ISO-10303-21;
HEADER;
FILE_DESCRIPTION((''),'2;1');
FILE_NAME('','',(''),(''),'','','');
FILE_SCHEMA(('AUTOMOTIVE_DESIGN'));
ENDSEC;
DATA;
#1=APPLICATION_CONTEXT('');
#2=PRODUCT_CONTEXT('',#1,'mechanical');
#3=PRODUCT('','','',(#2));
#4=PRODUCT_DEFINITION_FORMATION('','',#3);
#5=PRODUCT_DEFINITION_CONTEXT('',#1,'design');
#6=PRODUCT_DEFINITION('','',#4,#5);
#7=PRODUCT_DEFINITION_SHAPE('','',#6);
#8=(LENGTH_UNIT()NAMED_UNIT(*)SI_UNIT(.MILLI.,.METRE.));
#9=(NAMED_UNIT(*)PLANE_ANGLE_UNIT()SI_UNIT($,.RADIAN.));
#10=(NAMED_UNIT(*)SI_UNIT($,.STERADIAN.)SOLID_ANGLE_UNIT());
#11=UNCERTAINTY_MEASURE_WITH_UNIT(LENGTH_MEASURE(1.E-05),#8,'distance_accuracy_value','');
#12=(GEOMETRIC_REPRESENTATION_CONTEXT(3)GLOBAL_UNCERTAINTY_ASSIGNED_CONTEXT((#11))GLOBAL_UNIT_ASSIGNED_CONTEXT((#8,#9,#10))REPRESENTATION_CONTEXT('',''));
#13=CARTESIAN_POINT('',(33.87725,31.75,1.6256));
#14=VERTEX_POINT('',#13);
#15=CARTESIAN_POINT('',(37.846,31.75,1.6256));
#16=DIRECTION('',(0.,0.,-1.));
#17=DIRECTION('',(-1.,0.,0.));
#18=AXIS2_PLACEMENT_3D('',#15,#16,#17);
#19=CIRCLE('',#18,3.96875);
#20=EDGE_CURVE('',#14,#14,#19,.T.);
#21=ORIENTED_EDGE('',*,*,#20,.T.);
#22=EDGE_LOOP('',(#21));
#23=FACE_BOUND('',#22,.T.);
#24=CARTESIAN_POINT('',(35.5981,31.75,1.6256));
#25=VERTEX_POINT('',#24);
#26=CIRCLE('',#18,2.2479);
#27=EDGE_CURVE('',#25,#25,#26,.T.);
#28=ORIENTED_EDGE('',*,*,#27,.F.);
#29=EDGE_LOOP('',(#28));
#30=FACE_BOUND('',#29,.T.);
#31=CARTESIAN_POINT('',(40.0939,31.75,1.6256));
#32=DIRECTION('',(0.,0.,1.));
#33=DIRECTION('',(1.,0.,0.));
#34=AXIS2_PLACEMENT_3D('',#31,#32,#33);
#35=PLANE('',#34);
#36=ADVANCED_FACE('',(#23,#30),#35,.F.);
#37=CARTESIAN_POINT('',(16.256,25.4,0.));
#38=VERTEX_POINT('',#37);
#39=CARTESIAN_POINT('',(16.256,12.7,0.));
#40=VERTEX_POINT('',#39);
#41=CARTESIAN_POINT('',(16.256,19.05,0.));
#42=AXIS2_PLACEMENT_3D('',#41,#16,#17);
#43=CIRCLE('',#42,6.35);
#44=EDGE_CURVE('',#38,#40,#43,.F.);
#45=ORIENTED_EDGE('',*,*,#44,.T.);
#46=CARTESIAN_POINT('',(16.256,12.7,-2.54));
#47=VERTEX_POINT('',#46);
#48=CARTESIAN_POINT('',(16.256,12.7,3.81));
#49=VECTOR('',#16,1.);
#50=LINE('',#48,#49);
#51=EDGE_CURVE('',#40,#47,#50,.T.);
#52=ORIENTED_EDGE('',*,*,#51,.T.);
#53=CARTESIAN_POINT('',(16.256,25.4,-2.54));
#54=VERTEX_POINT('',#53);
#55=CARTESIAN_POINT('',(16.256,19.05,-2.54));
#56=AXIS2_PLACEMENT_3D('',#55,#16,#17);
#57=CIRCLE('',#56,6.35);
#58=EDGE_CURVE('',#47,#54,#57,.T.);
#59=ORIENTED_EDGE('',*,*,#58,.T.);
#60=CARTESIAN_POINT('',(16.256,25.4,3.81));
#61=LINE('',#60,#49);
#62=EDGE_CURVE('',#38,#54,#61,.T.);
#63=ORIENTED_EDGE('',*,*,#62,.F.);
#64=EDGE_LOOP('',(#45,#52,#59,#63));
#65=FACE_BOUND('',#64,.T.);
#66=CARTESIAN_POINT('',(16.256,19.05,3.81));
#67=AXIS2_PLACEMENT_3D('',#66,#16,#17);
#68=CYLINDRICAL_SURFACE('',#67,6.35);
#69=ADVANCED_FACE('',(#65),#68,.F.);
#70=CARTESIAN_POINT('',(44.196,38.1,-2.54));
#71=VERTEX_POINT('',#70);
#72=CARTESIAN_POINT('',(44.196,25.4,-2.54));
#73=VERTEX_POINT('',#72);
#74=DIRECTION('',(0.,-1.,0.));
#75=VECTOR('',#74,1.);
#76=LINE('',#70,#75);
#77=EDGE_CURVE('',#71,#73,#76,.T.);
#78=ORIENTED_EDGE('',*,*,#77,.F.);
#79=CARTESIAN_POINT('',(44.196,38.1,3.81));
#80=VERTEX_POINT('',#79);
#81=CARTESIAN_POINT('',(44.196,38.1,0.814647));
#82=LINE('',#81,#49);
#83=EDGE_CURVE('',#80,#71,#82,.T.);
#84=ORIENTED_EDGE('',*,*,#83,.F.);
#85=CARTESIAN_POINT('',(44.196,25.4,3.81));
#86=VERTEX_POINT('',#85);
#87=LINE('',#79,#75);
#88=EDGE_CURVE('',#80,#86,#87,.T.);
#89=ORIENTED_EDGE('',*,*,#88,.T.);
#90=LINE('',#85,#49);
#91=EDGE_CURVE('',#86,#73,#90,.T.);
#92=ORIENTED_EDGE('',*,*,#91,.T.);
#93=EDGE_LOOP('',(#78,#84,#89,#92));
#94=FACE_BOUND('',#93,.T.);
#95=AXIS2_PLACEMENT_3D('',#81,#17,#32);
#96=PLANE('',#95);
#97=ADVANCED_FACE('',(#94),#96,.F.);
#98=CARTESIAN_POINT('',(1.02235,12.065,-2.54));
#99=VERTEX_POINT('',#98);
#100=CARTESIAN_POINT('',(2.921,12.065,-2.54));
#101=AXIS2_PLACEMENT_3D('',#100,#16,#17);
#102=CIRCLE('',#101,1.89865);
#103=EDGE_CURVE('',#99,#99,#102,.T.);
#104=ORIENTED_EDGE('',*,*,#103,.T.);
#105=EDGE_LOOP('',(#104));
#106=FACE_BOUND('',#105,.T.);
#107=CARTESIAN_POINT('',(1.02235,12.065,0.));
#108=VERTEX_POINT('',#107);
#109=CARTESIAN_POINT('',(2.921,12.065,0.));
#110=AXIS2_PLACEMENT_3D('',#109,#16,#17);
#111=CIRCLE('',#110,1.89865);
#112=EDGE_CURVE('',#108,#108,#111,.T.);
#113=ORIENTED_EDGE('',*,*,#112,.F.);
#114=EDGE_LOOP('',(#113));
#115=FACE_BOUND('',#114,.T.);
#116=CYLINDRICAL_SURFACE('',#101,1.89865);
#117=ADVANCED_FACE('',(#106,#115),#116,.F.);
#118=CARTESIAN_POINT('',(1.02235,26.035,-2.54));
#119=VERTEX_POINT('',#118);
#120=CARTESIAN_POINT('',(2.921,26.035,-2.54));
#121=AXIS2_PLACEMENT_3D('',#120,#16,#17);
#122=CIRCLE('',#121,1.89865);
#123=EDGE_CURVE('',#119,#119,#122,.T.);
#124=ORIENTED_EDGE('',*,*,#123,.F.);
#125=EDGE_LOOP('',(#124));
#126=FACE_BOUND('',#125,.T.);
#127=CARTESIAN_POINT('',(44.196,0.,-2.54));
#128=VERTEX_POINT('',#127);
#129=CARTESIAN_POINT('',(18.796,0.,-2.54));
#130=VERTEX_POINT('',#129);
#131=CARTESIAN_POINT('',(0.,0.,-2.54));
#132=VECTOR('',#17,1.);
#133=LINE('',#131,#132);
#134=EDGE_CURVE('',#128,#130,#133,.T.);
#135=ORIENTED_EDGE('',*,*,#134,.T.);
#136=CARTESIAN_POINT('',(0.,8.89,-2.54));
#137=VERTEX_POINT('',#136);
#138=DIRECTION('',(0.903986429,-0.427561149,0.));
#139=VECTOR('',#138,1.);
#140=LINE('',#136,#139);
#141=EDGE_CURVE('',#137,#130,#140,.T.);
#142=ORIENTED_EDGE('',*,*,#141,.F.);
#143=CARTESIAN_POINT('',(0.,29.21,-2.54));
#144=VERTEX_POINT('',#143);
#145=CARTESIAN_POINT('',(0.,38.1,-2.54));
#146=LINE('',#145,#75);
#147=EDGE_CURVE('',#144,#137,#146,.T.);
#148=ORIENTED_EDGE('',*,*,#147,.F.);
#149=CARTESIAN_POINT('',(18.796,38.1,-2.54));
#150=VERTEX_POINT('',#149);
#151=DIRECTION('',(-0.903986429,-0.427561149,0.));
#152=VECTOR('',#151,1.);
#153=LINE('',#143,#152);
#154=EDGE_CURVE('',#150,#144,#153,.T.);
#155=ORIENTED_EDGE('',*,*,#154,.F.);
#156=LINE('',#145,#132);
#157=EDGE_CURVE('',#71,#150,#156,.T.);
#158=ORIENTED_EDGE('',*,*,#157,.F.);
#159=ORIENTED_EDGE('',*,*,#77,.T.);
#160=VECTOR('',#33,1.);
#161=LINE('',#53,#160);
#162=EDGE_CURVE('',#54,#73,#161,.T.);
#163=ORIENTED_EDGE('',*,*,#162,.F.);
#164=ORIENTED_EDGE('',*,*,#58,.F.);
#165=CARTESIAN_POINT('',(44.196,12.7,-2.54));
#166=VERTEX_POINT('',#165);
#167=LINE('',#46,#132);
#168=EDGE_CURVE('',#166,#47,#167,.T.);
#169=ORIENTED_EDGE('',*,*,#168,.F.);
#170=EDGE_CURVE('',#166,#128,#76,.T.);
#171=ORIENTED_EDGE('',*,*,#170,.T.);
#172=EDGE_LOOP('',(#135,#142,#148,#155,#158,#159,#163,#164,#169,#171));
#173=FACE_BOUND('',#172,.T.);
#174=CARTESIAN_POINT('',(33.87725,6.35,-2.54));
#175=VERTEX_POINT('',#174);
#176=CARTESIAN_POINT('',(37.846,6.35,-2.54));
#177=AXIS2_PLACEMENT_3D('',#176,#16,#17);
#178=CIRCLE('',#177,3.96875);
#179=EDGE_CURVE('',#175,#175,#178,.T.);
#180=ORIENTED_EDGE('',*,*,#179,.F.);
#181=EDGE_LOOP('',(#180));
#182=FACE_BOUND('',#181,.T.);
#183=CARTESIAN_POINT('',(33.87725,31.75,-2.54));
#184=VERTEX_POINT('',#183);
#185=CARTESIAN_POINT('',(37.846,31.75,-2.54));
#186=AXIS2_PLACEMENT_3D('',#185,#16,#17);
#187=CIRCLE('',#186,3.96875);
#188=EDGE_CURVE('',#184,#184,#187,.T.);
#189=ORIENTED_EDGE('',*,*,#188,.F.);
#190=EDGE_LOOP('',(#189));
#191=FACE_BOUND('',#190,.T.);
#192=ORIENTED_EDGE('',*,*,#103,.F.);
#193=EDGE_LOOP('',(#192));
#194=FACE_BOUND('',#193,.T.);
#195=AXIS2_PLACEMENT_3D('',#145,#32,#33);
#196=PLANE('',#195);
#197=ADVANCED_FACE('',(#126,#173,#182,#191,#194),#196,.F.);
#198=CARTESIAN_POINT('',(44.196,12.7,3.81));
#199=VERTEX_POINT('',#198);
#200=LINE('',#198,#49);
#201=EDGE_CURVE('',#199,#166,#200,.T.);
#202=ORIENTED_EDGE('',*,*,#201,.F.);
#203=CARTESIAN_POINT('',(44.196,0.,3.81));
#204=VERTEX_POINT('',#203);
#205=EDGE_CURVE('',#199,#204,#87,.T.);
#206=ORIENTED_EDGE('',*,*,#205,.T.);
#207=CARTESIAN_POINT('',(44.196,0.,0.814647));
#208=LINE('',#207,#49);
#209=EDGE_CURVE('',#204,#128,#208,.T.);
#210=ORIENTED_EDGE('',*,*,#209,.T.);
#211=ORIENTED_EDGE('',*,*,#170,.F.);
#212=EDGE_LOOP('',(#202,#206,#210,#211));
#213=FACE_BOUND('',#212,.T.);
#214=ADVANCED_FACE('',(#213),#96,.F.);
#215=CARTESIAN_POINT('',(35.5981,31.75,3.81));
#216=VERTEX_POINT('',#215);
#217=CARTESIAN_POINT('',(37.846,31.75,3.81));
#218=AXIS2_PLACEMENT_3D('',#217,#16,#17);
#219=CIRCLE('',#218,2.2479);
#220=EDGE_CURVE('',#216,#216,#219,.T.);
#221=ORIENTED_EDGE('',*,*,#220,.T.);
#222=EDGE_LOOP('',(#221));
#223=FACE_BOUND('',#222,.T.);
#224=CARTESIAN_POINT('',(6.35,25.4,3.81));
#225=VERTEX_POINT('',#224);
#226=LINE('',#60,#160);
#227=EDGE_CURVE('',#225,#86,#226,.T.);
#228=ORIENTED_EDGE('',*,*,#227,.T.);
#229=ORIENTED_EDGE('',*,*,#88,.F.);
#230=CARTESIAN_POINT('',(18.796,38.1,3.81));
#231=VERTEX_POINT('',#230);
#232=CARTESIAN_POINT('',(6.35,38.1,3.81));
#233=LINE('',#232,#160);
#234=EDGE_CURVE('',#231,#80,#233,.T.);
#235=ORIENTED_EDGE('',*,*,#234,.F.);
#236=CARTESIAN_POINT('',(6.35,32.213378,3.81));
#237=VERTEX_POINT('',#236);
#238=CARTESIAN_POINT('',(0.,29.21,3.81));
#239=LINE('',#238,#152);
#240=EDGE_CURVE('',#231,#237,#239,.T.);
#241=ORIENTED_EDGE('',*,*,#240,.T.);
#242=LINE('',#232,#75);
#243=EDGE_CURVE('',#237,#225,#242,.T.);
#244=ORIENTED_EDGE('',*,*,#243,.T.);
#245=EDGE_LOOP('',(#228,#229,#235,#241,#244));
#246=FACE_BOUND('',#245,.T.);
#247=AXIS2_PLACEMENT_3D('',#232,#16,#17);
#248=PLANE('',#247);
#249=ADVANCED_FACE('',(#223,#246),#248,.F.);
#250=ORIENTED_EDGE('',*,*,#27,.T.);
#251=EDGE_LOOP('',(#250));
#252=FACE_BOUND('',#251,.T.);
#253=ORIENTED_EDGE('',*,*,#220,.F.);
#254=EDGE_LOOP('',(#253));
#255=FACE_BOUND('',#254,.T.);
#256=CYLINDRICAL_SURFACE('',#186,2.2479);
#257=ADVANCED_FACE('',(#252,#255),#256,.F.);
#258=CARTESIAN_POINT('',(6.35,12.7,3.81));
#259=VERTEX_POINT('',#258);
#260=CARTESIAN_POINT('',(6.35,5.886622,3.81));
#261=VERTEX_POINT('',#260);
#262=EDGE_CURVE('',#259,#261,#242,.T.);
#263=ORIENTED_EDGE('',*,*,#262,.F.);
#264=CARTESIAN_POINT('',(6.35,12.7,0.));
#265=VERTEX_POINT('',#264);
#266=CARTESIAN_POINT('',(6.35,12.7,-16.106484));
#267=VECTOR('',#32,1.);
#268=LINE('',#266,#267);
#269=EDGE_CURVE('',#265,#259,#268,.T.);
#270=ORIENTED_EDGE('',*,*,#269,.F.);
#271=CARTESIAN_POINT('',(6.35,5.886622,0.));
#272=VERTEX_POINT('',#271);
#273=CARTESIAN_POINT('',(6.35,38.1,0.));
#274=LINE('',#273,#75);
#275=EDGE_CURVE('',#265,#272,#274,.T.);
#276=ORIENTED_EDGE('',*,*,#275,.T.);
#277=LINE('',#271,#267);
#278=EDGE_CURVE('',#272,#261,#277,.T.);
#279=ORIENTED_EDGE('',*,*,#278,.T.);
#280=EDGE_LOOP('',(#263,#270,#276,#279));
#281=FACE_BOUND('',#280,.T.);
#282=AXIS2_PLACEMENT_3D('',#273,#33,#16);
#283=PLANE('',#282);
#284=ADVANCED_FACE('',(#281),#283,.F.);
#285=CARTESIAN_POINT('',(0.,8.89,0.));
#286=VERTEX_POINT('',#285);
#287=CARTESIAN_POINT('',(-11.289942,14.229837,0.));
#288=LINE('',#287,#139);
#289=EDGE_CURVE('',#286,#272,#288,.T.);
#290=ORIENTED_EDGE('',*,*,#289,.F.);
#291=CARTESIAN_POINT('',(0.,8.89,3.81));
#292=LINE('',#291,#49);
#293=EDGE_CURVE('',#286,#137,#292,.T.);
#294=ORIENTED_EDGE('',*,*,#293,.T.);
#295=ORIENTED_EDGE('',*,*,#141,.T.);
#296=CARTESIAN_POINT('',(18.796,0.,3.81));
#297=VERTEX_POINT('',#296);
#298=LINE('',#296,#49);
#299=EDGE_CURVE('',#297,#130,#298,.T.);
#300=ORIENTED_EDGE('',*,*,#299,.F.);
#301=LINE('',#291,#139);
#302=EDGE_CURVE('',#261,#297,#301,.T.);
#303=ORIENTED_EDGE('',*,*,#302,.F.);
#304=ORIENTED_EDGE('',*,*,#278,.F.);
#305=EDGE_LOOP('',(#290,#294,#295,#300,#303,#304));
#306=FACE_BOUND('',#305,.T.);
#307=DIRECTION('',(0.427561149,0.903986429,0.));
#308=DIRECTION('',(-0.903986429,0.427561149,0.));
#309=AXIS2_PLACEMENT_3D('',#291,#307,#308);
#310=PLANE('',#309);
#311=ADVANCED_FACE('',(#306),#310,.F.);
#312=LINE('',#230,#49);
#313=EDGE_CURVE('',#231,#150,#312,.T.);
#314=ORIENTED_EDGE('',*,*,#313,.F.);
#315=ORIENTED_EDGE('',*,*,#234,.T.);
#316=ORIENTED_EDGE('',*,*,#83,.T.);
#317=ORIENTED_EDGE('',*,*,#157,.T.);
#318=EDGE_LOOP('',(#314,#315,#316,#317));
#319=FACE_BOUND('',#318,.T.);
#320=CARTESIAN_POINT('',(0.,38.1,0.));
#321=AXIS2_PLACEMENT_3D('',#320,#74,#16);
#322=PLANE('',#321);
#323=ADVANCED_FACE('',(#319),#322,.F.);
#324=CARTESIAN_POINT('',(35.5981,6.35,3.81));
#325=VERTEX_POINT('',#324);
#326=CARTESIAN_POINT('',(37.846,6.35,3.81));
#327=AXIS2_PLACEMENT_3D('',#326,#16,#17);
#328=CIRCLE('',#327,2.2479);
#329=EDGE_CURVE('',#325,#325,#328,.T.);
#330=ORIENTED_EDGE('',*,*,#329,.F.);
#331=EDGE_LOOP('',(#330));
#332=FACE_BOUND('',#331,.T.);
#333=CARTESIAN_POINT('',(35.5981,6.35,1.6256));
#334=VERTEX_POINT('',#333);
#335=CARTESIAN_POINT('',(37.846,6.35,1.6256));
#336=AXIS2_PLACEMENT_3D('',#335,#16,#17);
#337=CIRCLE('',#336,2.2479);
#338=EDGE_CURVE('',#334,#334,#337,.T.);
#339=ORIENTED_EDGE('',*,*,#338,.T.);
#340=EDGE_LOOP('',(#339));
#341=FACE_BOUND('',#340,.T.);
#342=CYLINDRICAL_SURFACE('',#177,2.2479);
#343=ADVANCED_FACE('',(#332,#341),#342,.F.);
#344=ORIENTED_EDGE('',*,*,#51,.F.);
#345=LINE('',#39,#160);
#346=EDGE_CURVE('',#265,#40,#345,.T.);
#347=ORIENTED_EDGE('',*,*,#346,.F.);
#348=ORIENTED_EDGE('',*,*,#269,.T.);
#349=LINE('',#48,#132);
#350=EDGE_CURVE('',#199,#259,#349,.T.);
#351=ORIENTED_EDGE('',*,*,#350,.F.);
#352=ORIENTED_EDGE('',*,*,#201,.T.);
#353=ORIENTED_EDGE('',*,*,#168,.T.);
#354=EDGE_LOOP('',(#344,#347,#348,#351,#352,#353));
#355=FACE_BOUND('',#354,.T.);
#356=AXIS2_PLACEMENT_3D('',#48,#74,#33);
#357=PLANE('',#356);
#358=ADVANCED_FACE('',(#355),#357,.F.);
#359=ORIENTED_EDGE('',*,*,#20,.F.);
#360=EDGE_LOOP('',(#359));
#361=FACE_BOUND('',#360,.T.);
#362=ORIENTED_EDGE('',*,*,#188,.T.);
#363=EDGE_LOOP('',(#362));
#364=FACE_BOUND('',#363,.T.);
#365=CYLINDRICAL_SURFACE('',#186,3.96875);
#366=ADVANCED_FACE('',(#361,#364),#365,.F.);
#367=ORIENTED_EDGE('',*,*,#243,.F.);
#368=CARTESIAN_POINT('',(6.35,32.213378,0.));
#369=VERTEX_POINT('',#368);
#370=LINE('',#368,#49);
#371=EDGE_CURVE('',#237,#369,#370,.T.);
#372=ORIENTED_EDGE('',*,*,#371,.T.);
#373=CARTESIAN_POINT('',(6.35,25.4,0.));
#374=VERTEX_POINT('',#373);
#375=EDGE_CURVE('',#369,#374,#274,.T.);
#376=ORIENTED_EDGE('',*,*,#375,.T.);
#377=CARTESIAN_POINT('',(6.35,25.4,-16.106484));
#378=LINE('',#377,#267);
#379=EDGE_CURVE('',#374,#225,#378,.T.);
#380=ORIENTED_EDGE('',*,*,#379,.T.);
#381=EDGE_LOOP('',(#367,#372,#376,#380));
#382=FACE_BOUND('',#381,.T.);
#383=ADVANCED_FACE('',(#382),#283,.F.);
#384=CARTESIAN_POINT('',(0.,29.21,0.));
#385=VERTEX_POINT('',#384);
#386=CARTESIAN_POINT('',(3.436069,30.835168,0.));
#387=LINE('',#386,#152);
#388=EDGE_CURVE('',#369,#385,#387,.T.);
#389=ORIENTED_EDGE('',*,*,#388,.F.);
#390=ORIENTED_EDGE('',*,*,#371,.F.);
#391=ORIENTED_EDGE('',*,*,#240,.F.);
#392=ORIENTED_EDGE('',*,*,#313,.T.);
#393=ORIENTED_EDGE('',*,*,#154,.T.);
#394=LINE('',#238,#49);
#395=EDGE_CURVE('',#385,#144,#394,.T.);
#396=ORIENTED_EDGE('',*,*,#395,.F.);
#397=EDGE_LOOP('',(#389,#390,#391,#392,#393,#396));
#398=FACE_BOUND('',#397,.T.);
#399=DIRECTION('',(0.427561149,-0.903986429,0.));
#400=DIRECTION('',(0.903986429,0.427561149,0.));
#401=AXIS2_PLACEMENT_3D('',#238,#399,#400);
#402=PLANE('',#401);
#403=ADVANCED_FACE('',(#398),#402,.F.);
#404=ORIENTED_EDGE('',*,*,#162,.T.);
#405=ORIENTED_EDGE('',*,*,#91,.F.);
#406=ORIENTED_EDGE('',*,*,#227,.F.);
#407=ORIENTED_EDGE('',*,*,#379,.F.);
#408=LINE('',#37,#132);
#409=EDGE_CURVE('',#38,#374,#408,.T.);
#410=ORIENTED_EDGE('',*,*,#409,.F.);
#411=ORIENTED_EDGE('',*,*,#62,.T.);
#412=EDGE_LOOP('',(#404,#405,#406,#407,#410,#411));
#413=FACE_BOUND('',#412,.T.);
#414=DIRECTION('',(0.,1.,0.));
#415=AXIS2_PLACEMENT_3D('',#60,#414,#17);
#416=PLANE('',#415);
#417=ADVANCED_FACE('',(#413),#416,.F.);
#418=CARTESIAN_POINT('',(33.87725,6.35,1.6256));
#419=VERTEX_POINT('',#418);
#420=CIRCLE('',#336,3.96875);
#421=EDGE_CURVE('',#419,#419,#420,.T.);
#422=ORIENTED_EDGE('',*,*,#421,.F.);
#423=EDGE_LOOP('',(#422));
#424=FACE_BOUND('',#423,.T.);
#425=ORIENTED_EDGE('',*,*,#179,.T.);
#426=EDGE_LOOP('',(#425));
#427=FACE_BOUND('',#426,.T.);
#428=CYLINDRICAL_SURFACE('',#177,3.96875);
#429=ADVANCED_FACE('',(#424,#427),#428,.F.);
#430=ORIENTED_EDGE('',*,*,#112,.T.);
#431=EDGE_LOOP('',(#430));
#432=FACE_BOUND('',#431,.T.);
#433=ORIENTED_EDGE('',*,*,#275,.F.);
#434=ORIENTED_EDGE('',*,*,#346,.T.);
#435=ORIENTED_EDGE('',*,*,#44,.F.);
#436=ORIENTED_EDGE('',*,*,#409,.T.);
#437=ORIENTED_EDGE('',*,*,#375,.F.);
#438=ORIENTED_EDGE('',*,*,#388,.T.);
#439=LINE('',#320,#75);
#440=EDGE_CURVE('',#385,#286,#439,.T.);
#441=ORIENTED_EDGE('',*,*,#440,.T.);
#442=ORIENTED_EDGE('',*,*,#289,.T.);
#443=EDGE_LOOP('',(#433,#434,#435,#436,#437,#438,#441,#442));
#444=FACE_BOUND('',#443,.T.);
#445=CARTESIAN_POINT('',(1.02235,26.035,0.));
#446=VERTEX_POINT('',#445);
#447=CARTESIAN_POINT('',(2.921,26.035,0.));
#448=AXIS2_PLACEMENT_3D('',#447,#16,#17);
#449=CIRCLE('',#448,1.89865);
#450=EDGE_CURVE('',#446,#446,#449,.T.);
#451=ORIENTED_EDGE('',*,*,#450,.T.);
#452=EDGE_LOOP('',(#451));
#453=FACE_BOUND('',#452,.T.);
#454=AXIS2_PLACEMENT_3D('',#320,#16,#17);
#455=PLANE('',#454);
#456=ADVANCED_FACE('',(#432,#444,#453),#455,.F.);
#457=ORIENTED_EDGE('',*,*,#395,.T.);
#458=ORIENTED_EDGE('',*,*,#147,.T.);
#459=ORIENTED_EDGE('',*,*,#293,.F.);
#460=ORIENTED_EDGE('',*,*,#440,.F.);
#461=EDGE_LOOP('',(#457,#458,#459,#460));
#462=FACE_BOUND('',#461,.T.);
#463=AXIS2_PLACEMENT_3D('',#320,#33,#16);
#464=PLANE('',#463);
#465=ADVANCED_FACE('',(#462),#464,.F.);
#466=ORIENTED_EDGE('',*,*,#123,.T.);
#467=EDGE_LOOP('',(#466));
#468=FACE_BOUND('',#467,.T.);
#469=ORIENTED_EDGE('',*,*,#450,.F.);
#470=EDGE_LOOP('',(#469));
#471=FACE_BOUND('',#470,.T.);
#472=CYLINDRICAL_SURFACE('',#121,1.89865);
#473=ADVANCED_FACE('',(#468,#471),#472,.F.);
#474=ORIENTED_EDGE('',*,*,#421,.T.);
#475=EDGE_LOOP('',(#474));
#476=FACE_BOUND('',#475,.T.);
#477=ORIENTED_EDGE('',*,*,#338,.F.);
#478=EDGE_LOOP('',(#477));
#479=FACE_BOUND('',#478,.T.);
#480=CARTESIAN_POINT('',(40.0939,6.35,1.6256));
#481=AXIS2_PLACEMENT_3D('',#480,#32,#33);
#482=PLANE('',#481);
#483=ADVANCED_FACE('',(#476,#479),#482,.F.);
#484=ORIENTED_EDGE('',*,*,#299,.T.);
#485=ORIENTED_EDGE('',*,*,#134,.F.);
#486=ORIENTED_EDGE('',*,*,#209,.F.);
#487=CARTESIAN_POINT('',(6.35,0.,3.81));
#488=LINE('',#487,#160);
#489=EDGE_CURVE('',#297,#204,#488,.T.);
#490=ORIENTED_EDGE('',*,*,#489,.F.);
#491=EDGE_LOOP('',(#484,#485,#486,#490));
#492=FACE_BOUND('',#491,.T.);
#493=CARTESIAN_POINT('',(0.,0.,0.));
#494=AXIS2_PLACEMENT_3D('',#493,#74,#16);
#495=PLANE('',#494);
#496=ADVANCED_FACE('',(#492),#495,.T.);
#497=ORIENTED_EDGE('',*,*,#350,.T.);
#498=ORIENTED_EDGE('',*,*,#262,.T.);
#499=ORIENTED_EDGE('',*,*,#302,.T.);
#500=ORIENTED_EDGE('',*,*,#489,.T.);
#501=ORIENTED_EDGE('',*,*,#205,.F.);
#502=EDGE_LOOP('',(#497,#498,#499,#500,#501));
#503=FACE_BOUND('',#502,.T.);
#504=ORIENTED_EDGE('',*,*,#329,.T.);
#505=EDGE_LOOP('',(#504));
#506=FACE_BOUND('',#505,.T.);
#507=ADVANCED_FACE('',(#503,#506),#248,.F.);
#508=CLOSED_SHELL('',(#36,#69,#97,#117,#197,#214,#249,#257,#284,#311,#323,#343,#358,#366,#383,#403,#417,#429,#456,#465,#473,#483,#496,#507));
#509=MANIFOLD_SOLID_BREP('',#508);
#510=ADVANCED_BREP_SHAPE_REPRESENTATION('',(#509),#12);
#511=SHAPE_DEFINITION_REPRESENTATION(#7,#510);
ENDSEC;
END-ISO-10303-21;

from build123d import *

# Parameters (mm, degrees)
BOSS_EXTRUDE1_DEPTH                            = 38.1
CBORE_FOR_8_SOCKET_HEAD_CAP_SCREW1_D           = 4.4958
CBORE_FOR_8_SOCKET_HEAD_CAP_SCREW1_CBORE_D     = 7.9375
CBORE_FOR_8_SOCKET_HEAD_CAP_SCREW1_CBORE_DEPTH = 4.1656
CUT_EXTRUDE1_DEPTH                             = 59.695987222
F_6_CLEARANCE_HOLE1_D                          = 3.7973
CUT_EXTRUDE2_DEPTH                             = 59.695987222
SKETCH6_W                                      = 9.906
SKETCH6_H                                      = 12.7
CUT_EXTRUDE3_DEPTH                             = 3.81


with BuildPart() as part:
    # Sketch1 → Boss-Extrude1 (new body)
    with BuildSketch(Plane(origin=(0, 0, 0), x_dir=(1, 0, 0), z_dir=(0, 1, 0))):
        Polygon((0, 0), (6.35, 0), (6.35, -3.81), (44.196, -3.81), (44.196, -0.814646677), (44.196, 2.54), (0, 2.54), align=None)
    extrude(amount=BOSS_EXTRUDE1_DEPTH)

    # CBORE for #8 Socket Head Cap Screw1 (through all)
    with Locations(Plane(origin=(37.846, 31.75, -2.54), x_dir=(-1, 0, 0), z_dir=(0, 0, -1))):
        with Locations((0, 0), (0, -25.4)):
            CounterBoreHole(CBORE_FOR_8_SOCKET_HEAD_CAP_SCREW1_D / 2, CBORE_FOR_8_SOCKET_HEAD_CAP_SCREW1_CBORE_D / 2, CBORE_FOR_8_SOCKET_HEAD_CAP_SCREW1_CBORE_DEPTH)

    # Sketch3 → Cut-Extrude1 (cut, through all)
    with BuildSketch(Plane(origin=(0, 0, -2.54), x_dir=(-1, 0, 0), z_dir=(0, 0, -1))):
        Polygon((0, 29.21), (-18.796, 38.1), (0, 38.1), align=None)
        Polygon((0, 8.89), (-18.796, 0), (0, 0), align=None)
    extrude(amount=-CUT_EXTRUDE1_DEPTH, mode=Mode.SUBTRACT)

    # #6 Clearance Hole1 (through all)
    with Locations(Plane(origin=(2.921, 26.035, -2.54), x_dir=(-1, 0, 0), z_dir=(0, 0, -1))):
        with Locations((0, 0), (0, -13.97)):
            Hole(F_6_CLEARANCE_HOLE1_D / 2)

    # Sketch5 → Cut-Extrude2 (cut, through all)
    with BuildSketch(Plane(origin=(0, 0, -2.54), x_dir=(-1, 0, 0), z_dir=(0, 0, -1))):
        with BuildLine():
            Line((-16.256, 12.7), (-44.196, 12.7))
            Line((-44.196, 12.7), (-44.196, 25.4))
            Line((-44.196, 25.4), (-16.256, 25.4))
            ThreePointArc((-16.256, 25.4), (-9.906, 19.05), (-16.256, 12.7))
        make_face()
    extrude(amount=-CUT_EXTRUDE2_DEPTH, mode=Mode.SUBTRACT)

    # Sketch6 → Cut-Extrude3 (cut)
    with BuildSketch(Plane.XY.offset(3.81)):
        with Locations((11.303, 19.05)):
            Rectangle(SKETCH6_W, SKETCH6_H)
    extrude(amount=-CUT_EXTRUDE3_DEPTH, mode=Mode.SUBTRACT)


solid = part.part
